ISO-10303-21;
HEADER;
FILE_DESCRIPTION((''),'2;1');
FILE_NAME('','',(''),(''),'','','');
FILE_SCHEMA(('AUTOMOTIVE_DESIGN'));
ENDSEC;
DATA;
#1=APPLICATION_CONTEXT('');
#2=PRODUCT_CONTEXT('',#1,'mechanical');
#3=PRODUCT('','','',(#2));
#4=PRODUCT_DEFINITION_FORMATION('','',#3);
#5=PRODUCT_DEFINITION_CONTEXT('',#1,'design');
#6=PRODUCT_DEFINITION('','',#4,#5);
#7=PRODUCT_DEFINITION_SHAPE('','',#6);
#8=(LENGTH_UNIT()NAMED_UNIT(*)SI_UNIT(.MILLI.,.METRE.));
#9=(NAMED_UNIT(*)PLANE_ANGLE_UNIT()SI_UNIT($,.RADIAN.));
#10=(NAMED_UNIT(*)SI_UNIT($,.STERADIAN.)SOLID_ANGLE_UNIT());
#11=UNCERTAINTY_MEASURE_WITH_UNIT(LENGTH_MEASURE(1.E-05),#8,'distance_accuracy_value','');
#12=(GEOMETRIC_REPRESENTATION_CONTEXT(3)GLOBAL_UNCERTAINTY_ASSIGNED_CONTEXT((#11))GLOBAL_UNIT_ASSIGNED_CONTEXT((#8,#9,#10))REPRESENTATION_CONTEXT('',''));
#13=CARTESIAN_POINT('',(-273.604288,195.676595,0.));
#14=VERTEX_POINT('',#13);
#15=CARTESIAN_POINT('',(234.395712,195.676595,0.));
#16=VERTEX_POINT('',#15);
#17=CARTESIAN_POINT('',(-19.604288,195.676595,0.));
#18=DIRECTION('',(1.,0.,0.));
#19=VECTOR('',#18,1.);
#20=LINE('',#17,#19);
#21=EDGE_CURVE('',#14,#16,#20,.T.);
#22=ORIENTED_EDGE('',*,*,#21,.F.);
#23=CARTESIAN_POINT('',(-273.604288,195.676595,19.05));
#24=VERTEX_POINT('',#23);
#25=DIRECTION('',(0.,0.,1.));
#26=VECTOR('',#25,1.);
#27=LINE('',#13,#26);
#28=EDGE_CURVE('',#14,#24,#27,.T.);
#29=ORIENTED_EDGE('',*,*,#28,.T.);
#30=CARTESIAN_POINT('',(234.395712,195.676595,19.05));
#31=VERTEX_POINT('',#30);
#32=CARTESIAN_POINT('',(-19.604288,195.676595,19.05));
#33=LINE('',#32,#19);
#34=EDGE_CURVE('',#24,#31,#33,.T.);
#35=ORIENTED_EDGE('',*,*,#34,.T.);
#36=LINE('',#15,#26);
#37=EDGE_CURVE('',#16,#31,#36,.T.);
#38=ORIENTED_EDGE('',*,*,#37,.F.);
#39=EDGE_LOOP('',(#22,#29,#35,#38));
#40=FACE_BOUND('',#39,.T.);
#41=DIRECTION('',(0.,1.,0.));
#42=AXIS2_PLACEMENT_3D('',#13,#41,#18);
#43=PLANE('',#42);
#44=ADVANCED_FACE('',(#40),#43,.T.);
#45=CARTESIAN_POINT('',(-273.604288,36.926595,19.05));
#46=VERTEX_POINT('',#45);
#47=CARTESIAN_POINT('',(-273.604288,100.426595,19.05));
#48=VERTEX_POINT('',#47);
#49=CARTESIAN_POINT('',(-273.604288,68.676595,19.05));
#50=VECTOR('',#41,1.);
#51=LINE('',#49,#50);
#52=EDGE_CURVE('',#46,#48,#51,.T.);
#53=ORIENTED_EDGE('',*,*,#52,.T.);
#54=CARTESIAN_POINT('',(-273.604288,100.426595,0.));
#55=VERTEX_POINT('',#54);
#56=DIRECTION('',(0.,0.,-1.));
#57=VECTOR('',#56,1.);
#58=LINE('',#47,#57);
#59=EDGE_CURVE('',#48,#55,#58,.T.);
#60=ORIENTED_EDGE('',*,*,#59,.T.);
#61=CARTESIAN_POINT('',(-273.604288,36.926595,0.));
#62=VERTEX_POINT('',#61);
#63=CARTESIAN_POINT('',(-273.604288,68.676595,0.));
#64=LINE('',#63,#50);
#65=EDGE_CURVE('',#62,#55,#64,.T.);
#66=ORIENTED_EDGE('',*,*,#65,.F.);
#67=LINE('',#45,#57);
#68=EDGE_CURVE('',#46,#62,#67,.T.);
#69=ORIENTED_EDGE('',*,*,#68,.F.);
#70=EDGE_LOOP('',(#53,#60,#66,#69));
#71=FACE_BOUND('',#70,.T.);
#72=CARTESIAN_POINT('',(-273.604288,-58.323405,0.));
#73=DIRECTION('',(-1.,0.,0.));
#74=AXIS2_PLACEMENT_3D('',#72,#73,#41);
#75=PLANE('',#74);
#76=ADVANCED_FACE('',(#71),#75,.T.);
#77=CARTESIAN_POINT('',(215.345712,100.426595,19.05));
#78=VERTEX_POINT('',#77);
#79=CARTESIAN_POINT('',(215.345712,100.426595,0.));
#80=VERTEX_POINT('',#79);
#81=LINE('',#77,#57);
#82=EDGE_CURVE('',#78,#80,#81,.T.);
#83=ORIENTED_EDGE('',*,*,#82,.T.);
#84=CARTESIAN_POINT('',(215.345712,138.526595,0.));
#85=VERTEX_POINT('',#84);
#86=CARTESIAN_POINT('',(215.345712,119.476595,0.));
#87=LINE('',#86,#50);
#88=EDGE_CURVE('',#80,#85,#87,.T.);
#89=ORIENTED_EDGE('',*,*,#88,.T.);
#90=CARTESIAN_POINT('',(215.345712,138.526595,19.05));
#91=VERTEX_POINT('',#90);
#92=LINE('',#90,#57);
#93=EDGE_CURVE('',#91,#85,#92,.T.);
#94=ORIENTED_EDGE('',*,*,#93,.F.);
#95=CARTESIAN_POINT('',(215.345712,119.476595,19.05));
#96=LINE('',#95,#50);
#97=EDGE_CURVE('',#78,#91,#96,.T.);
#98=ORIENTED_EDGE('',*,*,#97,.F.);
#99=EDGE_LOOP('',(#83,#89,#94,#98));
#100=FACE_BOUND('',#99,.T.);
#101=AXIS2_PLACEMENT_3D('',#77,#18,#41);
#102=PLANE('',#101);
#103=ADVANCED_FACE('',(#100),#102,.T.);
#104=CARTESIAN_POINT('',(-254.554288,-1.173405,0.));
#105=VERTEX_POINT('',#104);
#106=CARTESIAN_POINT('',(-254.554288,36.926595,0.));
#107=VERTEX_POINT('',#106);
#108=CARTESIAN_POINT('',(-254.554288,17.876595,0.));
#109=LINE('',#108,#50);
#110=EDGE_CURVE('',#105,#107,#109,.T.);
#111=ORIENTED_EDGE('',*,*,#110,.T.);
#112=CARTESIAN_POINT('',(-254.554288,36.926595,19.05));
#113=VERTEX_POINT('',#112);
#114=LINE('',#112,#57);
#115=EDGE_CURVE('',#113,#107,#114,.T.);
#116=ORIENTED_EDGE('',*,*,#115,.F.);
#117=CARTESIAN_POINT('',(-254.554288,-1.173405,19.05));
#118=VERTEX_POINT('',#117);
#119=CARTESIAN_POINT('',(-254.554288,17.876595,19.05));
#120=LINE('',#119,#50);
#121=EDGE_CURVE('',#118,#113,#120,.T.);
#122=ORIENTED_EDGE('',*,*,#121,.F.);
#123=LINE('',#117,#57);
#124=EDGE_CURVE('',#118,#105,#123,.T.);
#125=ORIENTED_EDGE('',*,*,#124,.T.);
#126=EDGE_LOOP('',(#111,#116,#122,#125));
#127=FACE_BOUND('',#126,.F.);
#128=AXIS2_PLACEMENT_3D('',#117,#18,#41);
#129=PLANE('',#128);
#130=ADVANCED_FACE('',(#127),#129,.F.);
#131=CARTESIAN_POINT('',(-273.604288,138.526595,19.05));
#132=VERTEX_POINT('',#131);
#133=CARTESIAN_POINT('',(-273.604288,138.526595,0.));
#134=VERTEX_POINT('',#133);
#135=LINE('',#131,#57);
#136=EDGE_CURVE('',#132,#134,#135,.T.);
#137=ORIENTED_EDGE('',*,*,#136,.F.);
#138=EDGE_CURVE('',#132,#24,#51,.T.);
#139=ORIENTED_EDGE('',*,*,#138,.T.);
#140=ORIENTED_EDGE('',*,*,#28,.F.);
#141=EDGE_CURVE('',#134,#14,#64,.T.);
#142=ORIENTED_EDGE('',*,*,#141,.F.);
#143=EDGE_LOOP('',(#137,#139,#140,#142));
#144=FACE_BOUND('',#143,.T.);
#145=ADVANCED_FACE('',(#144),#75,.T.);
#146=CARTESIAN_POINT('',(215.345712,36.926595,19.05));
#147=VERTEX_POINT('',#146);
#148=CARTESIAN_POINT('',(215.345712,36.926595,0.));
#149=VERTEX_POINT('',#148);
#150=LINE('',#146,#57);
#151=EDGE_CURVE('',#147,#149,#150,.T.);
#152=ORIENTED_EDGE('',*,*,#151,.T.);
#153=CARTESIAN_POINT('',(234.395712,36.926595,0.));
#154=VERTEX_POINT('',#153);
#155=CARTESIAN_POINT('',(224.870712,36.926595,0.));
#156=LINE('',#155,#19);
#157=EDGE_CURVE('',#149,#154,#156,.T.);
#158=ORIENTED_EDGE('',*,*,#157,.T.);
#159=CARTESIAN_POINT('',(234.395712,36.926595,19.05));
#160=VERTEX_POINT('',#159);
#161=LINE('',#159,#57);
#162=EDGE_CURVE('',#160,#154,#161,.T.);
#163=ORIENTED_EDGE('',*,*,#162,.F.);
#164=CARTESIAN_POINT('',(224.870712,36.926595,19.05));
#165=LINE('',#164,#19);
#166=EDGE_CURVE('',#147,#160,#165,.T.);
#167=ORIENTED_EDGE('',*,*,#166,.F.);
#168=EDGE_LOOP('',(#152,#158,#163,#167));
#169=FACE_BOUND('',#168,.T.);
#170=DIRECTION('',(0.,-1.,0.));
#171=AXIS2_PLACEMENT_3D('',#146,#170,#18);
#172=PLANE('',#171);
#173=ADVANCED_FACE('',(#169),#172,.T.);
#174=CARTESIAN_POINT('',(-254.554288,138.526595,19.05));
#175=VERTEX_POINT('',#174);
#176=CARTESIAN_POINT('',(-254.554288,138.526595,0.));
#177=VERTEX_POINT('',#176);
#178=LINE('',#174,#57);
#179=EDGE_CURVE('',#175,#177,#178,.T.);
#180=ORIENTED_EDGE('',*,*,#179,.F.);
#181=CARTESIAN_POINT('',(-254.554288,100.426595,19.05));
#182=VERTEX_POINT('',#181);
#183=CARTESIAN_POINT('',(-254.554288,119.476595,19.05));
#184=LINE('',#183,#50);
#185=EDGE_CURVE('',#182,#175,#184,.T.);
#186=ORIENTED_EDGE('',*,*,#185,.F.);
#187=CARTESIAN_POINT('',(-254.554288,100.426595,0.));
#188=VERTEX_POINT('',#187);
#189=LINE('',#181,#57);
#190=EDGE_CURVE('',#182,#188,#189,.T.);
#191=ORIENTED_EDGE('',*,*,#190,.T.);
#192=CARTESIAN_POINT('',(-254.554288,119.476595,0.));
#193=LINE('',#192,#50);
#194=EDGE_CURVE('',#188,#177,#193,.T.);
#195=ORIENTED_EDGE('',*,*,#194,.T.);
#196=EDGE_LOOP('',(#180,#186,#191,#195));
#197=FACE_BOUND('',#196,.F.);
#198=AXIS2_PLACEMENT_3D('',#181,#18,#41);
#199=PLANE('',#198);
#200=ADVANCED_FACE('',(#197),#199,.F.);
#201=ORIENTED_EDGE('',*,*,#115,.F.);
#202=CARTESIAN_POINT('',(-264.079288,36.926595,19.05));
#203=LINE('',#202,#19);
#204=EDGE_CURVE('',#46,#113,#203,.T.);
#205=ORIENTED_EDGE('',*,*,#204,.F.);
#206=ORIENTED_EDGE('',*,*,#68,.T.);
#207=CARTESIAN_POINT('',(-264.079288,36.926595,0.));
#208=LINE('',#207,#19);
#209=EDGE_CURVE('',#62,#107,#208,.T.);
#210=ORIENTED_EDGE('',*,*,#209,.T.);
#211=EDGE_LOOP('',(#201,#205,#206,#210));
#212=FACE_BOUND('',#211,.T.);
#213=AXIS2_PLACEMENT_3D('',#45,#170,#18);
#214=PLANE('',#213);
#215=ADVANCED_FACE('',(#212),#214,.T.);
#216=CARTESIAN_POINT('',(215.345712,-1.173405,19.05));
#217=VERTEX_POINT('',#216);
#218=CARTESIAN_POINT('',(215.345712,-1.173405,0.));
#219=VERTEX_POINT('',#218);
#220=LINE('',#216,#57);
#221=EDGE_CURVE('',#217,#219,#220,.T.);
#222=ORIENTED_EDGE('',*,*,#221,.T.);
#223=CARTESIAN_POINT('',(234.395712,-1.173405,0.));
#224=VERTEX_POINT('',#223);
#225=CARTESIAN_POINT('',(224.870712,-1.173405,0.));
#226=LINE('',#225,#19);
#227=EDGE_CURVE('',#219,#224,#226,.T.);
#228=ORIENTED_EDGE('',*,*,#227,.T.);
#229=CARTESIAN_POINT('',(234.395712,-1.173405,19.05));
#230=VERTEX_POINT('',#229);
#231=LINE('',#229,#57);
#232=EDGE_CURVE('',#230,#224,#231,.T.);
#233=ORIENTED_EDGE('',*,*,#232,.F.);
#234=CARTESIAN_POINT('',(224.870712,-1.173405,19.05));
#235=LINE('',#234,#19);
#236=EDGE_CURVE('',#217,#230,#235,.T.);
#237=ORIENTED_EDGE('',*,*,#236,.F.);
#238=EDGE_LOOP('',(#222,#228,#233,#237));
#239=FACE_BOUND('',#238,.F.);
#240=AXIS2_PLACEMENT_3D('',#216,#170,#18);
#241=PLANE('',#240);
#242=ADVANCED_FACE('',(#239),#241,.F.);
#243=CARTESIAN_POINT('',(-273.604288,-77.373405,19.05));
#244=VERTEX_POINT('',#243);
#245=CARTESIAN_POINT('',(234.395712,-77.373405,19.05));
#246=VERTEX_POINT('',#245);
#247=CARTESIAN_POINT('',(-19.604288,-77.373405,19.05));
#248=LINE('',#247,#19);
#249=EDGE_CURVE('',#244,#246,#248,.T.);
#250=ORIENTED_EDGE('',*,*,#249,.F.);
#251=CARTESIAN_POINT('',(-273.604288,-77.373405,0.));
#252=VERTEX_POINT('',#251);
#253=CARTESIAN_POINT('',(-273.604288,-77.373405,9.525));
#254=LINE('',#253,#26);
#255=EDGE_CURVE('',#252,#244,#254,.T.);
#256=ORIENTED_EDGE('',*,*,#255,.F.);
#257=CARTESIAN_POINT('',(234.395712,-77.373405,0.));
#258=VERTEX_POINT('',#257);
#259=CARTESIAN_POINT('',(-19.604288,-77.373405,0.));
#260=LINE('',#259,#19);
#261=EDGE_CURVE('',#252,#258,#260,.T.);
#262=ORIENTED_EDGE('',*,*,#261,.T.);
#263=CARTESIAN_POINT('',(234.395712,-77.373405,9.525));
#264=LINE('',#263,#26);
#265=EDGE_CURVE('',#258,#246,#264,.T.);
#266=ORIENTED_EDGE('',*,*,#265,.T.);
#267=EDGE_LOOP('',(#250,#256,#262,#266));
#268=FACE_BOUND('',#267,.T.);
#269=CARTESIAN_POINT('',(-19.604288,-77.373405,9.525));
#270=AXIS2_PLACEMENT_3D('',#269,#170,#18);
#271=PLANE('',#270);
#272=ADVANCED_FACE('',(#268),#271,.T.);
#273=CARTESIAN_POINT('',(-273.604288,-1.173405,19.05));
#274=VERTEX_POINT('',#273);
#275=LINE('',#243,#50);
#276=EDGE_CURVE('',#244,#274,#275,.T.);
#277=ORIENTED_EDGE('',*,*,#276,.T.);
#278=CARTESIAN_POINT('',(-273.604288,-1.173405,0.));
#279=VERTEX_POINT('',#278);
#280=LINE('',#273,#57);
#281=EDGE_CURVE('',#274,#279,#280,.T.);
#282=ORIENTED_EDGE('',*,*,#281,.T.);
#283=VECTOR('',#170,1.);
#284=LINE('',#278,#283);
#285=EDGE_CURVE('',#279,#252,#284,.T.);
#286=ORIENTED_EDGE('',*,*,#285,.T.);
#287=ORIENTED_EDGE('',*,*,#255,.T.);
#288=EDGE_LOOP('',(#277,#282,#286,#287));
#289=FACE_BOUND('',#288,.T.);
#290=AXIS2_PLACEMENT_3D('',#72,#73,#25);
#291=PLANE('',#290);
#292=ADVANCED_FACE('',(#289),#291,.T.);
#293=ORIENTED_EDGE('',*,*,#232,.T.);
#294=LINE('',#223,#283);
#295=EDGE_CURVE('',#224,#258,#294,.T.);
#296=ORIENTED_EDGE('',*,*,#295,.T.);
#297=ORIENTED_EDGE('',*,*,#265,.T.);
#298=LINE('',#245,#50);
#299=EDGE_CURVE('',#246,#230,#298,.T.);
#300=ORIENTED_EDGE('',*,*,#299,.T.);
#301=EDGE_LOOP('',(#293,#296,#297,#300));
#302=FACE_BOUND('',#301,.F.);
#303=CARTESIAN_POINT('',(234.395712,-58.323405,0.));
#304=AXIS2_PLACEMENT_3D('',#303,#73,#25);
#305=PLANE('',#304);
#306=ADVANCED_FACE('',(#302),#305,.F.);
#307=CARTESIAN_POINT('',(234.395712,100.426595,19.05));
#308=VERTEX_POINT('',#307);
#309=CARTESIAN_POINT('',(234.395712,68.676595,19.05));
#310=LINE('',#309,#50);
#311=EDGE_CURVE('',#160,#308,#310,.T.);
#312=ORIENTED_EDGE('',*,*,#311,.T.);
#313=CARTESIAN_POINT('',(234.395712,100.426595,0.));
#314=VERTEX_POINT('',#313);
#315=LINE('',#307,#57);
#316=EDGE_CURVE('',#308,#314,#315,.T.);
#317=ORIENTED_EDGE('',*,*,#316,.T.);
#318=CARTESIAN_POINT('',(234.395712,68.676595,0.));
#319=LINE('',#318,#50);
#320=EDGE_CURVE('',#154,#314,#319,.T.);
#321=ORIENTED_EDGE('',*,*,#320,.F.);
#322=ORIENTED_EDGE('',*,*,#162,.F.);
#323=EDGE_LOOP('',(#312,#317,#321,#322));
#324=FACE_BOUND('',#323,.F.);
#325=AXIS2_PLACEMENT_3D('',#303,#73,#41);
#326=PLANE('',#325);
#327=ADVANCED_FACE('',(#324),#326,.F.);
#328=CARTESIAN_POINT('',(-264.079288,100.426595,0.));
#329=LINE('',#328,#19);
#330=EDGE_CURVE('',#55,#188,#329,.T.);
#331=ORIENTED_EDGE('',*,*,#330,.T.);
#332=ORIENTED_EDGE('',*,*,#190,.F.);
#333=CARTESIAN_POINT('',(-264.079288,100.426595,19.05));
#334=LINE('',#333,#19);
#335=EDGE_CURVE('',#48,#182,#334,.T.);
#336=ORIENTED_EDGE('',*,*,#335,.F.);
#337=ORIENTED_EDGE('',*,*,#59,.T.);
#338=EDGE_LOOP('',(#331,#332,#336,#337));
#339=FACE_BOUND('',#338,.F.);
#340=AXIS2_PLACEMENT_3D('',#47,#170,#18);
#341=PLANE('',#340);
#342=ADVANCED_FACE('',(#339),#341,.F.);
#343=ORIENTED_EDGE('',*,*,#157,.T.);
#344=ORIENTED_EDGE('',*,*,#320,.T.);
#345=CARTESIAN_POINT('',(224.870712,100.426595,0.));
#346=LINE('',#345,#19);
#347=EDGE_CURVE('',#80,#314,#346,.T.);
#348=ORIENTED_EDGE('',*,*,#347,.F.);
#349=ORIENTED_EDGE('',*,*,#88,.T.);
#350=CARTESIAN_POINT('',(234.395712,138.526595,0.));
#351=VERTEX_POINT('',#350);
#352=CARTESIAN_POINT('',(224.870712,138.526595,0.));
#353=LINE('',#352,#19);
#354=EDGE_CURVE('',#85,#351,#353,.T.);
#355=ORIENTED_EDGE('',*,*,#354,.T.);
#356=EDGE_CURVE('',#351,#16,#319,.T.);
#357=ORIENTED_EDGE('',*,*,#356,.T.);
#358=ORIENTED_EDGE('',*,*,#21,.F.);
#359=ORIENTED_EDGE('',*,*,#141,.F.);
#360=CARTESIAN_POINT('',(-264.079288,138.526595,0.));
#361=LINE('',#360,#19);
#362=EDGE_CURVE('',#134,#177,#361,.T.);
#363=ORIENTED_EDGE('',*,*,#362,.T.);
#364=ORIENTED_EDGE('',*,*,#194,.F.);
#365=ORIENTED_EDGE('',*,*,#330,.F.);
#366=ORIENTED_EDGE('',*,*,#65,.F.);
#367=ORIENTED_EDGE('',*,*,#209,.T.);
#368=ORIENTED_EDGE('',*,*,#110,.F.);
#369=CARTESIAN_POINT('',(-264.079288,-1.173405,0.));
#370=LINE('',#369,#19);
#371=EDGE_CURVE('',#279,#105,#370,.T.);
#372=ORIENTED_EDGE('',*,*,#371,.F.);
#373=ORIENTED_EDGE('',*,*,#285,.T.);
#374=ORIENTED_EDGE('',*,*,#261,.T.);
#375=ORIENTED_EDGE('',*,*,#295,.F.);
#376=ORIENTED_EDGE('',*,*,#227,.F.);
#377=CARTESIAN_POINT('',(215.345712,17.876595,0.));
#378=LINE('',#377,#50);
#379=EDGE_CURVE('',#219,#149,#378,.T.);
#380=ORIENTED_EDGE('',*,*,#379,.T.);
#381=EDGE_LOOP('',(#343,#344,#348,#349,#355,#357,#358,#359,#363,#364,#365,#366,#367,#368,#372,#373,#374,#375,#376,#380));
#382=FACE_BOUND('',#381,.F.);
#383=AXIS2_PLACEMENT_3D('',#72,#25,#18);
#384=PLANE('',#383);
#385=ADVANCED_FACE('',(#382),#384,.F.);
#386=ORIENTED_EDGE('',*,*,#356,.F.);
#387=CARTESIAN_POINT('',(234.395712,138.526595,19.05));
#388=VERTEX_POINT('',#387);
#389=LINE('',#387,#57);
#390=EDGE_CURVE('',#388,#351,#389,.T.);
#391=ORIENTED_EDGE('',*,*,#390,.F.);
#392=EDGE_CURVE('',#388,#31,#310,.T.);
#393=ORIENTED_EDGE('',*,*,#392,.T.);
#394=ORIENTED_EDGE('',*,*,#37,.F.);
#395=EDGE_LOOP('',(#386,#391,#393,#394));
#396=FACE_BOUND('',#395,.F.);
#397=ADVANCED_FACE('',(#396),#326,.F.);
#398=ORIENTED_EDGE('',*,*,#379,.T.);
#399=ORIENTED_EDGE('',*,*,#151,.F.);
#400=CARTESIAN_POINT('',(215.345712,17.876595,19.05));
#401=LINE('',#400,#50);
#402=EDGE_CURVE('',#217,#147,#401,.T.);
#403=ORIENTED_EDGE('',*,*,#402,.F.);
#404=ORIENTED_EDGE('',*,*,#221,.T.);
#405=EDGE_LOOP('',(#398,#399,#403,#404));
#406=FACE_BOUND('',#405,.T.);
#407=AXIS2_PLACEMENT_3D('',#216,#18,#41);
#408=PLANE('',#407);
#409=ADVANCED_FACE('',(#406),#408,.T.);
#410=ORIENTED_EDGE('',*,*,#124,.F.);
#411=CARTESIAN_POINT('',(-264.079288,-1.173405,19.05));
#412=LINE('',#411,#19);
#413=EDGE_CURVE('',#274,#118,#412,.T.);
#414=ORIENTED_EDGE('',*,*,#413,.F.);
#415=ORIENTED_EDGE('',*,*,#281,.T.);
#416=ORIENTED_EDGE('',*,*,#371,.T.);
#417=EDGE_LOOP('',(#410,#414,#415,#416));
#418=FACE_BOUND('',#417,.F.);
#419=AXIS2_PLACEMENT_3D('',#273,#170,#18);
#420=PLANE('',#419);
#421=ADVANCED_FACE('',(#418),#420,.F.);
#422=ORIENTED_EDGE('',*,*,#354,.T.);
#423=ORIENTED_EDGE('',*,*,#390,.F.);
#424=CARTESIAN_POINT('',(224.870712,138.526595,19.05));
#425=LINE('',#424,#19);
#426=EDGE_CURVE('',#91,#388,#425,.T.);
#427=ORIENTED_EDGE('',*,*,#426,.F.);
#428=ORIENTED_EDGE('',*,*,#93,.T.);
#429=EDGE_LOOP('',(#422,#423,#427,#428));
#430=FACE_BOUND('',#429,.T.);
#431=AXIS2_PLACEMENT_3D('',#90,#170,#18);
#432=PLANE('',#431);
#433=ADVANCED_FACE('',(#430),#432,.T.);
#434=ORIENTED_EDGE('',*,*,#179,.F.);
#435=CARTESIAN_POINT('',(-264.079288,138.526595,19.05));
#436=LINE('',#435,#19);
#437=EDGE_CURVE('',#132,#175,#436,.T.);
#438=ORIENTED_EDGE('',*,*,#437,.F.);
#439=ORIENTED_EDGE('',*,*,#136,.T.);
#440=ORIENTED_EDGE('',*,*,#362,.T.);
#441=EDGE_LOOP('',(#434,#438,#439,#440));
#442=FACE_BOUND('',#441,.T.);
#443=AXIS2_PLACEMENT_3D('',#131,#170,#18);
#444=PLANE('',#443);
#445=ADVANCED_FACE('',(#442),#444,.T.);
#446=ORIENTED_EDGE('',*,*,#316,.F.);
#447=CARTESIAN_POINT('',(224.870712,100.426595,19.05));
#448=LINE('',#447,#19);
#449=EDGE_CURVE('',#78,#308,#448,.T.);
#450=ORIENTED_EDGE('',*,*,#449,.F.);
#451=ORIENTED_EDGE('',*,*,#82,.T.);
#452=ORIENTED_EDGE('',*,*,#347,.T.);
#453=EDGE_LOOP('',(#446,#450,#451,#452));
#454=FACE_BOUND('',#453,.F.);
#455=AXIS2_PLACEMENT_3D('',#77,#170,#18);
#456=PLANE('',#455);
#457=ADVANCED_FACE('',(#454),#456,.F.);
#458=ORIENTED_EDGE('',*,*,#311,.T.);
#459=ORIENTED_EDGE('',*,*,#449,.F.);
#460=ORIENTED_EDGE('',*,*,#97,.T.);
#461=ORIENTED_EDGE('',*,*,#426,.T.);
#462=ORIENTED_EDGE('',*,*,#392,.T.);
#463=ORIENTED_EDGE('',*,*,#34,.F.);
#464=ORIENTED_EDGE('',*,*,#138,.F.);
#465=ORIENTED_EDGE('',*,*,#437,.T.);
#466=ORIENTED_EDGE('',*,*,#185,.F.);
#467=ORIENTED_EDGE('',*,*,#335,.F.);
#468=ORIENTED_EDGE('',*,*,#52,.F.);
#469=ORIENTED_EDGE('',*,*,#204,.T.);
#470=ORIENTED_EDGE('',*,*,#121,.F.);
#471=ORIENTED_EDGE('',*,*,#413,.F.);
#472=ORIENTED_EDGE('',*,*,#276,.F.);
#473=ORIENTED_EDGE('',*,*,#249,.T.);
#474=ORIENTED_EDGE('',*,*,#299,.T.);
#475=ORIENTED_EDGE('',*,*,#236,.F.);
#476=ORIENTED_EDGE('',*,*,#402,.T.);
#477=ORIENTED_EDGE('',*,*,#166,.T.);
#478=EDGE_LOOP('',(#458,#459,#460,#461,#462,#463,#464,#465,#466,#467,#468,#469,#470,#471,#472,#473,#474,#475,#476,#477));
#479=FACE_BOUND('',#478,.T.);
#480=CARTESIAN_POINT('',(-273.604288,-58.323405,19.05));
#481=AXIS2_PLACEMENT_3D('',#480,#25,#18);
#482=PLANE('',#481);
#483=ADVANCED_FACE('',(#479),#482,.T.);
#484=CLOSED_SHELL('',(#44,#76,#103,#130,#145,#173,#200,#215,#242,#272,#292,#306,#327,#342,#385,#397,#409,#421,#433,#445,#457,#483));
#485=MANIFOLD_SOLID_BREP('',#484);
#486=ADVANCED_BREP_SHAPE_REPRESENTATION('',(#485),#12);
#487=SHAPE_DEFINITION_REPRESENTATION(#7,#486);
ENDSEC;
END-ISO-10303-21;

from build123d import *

# Parameters (mm, degrees)
F0_W     = 508
F0_H     = 254
F1_DEPTH = 19.05
F2_W     = 19.05
F2_H     = 38.1
F3_DEPTH = 19.05
F4_W     = 508
F4_H     = 19.05
F5_DEPTH = 19.05


with BuildPart() as f1:
    # F0 (on Top) → F1 (new body)
    with BuildSketch(Plane.XY):
        with Locations((-19.604288, 68.676595)):
            Rectangle(F0_W, F0_H)
    extrude(amount=F1_DEPTH)

    # F2 (on face) → F3 (cut)
    with BuildSketch(Plane.XY.offset(19.05)):
        with Locations((-264.079288, 119.476595)):
            Rectangle(F2_W, F2_H)
        with Locations((-264.079288, 17.876595)):
            Rectangle(F2_W, F2_H)
        with Locations((224.870712, 119.476595)):
            Rectangle(F2_W, F2_H)
        with Locations((224.870712, 17.876595)):
            Rectangle(F2_W, F2_H)
    extrude(amount=-F3_DEPTH, mode=Mode.SUBTRACT)

    # F4 (on face) → F5 (join)
    with BuildSketch(Plane.XZ.offset(58.323405)):
        with Locations((-19.604288, 9.525)):
            Rectangle(F4_W, F4_H)
    extrude(amount=F5_DEPTH)


solid = f1.part
